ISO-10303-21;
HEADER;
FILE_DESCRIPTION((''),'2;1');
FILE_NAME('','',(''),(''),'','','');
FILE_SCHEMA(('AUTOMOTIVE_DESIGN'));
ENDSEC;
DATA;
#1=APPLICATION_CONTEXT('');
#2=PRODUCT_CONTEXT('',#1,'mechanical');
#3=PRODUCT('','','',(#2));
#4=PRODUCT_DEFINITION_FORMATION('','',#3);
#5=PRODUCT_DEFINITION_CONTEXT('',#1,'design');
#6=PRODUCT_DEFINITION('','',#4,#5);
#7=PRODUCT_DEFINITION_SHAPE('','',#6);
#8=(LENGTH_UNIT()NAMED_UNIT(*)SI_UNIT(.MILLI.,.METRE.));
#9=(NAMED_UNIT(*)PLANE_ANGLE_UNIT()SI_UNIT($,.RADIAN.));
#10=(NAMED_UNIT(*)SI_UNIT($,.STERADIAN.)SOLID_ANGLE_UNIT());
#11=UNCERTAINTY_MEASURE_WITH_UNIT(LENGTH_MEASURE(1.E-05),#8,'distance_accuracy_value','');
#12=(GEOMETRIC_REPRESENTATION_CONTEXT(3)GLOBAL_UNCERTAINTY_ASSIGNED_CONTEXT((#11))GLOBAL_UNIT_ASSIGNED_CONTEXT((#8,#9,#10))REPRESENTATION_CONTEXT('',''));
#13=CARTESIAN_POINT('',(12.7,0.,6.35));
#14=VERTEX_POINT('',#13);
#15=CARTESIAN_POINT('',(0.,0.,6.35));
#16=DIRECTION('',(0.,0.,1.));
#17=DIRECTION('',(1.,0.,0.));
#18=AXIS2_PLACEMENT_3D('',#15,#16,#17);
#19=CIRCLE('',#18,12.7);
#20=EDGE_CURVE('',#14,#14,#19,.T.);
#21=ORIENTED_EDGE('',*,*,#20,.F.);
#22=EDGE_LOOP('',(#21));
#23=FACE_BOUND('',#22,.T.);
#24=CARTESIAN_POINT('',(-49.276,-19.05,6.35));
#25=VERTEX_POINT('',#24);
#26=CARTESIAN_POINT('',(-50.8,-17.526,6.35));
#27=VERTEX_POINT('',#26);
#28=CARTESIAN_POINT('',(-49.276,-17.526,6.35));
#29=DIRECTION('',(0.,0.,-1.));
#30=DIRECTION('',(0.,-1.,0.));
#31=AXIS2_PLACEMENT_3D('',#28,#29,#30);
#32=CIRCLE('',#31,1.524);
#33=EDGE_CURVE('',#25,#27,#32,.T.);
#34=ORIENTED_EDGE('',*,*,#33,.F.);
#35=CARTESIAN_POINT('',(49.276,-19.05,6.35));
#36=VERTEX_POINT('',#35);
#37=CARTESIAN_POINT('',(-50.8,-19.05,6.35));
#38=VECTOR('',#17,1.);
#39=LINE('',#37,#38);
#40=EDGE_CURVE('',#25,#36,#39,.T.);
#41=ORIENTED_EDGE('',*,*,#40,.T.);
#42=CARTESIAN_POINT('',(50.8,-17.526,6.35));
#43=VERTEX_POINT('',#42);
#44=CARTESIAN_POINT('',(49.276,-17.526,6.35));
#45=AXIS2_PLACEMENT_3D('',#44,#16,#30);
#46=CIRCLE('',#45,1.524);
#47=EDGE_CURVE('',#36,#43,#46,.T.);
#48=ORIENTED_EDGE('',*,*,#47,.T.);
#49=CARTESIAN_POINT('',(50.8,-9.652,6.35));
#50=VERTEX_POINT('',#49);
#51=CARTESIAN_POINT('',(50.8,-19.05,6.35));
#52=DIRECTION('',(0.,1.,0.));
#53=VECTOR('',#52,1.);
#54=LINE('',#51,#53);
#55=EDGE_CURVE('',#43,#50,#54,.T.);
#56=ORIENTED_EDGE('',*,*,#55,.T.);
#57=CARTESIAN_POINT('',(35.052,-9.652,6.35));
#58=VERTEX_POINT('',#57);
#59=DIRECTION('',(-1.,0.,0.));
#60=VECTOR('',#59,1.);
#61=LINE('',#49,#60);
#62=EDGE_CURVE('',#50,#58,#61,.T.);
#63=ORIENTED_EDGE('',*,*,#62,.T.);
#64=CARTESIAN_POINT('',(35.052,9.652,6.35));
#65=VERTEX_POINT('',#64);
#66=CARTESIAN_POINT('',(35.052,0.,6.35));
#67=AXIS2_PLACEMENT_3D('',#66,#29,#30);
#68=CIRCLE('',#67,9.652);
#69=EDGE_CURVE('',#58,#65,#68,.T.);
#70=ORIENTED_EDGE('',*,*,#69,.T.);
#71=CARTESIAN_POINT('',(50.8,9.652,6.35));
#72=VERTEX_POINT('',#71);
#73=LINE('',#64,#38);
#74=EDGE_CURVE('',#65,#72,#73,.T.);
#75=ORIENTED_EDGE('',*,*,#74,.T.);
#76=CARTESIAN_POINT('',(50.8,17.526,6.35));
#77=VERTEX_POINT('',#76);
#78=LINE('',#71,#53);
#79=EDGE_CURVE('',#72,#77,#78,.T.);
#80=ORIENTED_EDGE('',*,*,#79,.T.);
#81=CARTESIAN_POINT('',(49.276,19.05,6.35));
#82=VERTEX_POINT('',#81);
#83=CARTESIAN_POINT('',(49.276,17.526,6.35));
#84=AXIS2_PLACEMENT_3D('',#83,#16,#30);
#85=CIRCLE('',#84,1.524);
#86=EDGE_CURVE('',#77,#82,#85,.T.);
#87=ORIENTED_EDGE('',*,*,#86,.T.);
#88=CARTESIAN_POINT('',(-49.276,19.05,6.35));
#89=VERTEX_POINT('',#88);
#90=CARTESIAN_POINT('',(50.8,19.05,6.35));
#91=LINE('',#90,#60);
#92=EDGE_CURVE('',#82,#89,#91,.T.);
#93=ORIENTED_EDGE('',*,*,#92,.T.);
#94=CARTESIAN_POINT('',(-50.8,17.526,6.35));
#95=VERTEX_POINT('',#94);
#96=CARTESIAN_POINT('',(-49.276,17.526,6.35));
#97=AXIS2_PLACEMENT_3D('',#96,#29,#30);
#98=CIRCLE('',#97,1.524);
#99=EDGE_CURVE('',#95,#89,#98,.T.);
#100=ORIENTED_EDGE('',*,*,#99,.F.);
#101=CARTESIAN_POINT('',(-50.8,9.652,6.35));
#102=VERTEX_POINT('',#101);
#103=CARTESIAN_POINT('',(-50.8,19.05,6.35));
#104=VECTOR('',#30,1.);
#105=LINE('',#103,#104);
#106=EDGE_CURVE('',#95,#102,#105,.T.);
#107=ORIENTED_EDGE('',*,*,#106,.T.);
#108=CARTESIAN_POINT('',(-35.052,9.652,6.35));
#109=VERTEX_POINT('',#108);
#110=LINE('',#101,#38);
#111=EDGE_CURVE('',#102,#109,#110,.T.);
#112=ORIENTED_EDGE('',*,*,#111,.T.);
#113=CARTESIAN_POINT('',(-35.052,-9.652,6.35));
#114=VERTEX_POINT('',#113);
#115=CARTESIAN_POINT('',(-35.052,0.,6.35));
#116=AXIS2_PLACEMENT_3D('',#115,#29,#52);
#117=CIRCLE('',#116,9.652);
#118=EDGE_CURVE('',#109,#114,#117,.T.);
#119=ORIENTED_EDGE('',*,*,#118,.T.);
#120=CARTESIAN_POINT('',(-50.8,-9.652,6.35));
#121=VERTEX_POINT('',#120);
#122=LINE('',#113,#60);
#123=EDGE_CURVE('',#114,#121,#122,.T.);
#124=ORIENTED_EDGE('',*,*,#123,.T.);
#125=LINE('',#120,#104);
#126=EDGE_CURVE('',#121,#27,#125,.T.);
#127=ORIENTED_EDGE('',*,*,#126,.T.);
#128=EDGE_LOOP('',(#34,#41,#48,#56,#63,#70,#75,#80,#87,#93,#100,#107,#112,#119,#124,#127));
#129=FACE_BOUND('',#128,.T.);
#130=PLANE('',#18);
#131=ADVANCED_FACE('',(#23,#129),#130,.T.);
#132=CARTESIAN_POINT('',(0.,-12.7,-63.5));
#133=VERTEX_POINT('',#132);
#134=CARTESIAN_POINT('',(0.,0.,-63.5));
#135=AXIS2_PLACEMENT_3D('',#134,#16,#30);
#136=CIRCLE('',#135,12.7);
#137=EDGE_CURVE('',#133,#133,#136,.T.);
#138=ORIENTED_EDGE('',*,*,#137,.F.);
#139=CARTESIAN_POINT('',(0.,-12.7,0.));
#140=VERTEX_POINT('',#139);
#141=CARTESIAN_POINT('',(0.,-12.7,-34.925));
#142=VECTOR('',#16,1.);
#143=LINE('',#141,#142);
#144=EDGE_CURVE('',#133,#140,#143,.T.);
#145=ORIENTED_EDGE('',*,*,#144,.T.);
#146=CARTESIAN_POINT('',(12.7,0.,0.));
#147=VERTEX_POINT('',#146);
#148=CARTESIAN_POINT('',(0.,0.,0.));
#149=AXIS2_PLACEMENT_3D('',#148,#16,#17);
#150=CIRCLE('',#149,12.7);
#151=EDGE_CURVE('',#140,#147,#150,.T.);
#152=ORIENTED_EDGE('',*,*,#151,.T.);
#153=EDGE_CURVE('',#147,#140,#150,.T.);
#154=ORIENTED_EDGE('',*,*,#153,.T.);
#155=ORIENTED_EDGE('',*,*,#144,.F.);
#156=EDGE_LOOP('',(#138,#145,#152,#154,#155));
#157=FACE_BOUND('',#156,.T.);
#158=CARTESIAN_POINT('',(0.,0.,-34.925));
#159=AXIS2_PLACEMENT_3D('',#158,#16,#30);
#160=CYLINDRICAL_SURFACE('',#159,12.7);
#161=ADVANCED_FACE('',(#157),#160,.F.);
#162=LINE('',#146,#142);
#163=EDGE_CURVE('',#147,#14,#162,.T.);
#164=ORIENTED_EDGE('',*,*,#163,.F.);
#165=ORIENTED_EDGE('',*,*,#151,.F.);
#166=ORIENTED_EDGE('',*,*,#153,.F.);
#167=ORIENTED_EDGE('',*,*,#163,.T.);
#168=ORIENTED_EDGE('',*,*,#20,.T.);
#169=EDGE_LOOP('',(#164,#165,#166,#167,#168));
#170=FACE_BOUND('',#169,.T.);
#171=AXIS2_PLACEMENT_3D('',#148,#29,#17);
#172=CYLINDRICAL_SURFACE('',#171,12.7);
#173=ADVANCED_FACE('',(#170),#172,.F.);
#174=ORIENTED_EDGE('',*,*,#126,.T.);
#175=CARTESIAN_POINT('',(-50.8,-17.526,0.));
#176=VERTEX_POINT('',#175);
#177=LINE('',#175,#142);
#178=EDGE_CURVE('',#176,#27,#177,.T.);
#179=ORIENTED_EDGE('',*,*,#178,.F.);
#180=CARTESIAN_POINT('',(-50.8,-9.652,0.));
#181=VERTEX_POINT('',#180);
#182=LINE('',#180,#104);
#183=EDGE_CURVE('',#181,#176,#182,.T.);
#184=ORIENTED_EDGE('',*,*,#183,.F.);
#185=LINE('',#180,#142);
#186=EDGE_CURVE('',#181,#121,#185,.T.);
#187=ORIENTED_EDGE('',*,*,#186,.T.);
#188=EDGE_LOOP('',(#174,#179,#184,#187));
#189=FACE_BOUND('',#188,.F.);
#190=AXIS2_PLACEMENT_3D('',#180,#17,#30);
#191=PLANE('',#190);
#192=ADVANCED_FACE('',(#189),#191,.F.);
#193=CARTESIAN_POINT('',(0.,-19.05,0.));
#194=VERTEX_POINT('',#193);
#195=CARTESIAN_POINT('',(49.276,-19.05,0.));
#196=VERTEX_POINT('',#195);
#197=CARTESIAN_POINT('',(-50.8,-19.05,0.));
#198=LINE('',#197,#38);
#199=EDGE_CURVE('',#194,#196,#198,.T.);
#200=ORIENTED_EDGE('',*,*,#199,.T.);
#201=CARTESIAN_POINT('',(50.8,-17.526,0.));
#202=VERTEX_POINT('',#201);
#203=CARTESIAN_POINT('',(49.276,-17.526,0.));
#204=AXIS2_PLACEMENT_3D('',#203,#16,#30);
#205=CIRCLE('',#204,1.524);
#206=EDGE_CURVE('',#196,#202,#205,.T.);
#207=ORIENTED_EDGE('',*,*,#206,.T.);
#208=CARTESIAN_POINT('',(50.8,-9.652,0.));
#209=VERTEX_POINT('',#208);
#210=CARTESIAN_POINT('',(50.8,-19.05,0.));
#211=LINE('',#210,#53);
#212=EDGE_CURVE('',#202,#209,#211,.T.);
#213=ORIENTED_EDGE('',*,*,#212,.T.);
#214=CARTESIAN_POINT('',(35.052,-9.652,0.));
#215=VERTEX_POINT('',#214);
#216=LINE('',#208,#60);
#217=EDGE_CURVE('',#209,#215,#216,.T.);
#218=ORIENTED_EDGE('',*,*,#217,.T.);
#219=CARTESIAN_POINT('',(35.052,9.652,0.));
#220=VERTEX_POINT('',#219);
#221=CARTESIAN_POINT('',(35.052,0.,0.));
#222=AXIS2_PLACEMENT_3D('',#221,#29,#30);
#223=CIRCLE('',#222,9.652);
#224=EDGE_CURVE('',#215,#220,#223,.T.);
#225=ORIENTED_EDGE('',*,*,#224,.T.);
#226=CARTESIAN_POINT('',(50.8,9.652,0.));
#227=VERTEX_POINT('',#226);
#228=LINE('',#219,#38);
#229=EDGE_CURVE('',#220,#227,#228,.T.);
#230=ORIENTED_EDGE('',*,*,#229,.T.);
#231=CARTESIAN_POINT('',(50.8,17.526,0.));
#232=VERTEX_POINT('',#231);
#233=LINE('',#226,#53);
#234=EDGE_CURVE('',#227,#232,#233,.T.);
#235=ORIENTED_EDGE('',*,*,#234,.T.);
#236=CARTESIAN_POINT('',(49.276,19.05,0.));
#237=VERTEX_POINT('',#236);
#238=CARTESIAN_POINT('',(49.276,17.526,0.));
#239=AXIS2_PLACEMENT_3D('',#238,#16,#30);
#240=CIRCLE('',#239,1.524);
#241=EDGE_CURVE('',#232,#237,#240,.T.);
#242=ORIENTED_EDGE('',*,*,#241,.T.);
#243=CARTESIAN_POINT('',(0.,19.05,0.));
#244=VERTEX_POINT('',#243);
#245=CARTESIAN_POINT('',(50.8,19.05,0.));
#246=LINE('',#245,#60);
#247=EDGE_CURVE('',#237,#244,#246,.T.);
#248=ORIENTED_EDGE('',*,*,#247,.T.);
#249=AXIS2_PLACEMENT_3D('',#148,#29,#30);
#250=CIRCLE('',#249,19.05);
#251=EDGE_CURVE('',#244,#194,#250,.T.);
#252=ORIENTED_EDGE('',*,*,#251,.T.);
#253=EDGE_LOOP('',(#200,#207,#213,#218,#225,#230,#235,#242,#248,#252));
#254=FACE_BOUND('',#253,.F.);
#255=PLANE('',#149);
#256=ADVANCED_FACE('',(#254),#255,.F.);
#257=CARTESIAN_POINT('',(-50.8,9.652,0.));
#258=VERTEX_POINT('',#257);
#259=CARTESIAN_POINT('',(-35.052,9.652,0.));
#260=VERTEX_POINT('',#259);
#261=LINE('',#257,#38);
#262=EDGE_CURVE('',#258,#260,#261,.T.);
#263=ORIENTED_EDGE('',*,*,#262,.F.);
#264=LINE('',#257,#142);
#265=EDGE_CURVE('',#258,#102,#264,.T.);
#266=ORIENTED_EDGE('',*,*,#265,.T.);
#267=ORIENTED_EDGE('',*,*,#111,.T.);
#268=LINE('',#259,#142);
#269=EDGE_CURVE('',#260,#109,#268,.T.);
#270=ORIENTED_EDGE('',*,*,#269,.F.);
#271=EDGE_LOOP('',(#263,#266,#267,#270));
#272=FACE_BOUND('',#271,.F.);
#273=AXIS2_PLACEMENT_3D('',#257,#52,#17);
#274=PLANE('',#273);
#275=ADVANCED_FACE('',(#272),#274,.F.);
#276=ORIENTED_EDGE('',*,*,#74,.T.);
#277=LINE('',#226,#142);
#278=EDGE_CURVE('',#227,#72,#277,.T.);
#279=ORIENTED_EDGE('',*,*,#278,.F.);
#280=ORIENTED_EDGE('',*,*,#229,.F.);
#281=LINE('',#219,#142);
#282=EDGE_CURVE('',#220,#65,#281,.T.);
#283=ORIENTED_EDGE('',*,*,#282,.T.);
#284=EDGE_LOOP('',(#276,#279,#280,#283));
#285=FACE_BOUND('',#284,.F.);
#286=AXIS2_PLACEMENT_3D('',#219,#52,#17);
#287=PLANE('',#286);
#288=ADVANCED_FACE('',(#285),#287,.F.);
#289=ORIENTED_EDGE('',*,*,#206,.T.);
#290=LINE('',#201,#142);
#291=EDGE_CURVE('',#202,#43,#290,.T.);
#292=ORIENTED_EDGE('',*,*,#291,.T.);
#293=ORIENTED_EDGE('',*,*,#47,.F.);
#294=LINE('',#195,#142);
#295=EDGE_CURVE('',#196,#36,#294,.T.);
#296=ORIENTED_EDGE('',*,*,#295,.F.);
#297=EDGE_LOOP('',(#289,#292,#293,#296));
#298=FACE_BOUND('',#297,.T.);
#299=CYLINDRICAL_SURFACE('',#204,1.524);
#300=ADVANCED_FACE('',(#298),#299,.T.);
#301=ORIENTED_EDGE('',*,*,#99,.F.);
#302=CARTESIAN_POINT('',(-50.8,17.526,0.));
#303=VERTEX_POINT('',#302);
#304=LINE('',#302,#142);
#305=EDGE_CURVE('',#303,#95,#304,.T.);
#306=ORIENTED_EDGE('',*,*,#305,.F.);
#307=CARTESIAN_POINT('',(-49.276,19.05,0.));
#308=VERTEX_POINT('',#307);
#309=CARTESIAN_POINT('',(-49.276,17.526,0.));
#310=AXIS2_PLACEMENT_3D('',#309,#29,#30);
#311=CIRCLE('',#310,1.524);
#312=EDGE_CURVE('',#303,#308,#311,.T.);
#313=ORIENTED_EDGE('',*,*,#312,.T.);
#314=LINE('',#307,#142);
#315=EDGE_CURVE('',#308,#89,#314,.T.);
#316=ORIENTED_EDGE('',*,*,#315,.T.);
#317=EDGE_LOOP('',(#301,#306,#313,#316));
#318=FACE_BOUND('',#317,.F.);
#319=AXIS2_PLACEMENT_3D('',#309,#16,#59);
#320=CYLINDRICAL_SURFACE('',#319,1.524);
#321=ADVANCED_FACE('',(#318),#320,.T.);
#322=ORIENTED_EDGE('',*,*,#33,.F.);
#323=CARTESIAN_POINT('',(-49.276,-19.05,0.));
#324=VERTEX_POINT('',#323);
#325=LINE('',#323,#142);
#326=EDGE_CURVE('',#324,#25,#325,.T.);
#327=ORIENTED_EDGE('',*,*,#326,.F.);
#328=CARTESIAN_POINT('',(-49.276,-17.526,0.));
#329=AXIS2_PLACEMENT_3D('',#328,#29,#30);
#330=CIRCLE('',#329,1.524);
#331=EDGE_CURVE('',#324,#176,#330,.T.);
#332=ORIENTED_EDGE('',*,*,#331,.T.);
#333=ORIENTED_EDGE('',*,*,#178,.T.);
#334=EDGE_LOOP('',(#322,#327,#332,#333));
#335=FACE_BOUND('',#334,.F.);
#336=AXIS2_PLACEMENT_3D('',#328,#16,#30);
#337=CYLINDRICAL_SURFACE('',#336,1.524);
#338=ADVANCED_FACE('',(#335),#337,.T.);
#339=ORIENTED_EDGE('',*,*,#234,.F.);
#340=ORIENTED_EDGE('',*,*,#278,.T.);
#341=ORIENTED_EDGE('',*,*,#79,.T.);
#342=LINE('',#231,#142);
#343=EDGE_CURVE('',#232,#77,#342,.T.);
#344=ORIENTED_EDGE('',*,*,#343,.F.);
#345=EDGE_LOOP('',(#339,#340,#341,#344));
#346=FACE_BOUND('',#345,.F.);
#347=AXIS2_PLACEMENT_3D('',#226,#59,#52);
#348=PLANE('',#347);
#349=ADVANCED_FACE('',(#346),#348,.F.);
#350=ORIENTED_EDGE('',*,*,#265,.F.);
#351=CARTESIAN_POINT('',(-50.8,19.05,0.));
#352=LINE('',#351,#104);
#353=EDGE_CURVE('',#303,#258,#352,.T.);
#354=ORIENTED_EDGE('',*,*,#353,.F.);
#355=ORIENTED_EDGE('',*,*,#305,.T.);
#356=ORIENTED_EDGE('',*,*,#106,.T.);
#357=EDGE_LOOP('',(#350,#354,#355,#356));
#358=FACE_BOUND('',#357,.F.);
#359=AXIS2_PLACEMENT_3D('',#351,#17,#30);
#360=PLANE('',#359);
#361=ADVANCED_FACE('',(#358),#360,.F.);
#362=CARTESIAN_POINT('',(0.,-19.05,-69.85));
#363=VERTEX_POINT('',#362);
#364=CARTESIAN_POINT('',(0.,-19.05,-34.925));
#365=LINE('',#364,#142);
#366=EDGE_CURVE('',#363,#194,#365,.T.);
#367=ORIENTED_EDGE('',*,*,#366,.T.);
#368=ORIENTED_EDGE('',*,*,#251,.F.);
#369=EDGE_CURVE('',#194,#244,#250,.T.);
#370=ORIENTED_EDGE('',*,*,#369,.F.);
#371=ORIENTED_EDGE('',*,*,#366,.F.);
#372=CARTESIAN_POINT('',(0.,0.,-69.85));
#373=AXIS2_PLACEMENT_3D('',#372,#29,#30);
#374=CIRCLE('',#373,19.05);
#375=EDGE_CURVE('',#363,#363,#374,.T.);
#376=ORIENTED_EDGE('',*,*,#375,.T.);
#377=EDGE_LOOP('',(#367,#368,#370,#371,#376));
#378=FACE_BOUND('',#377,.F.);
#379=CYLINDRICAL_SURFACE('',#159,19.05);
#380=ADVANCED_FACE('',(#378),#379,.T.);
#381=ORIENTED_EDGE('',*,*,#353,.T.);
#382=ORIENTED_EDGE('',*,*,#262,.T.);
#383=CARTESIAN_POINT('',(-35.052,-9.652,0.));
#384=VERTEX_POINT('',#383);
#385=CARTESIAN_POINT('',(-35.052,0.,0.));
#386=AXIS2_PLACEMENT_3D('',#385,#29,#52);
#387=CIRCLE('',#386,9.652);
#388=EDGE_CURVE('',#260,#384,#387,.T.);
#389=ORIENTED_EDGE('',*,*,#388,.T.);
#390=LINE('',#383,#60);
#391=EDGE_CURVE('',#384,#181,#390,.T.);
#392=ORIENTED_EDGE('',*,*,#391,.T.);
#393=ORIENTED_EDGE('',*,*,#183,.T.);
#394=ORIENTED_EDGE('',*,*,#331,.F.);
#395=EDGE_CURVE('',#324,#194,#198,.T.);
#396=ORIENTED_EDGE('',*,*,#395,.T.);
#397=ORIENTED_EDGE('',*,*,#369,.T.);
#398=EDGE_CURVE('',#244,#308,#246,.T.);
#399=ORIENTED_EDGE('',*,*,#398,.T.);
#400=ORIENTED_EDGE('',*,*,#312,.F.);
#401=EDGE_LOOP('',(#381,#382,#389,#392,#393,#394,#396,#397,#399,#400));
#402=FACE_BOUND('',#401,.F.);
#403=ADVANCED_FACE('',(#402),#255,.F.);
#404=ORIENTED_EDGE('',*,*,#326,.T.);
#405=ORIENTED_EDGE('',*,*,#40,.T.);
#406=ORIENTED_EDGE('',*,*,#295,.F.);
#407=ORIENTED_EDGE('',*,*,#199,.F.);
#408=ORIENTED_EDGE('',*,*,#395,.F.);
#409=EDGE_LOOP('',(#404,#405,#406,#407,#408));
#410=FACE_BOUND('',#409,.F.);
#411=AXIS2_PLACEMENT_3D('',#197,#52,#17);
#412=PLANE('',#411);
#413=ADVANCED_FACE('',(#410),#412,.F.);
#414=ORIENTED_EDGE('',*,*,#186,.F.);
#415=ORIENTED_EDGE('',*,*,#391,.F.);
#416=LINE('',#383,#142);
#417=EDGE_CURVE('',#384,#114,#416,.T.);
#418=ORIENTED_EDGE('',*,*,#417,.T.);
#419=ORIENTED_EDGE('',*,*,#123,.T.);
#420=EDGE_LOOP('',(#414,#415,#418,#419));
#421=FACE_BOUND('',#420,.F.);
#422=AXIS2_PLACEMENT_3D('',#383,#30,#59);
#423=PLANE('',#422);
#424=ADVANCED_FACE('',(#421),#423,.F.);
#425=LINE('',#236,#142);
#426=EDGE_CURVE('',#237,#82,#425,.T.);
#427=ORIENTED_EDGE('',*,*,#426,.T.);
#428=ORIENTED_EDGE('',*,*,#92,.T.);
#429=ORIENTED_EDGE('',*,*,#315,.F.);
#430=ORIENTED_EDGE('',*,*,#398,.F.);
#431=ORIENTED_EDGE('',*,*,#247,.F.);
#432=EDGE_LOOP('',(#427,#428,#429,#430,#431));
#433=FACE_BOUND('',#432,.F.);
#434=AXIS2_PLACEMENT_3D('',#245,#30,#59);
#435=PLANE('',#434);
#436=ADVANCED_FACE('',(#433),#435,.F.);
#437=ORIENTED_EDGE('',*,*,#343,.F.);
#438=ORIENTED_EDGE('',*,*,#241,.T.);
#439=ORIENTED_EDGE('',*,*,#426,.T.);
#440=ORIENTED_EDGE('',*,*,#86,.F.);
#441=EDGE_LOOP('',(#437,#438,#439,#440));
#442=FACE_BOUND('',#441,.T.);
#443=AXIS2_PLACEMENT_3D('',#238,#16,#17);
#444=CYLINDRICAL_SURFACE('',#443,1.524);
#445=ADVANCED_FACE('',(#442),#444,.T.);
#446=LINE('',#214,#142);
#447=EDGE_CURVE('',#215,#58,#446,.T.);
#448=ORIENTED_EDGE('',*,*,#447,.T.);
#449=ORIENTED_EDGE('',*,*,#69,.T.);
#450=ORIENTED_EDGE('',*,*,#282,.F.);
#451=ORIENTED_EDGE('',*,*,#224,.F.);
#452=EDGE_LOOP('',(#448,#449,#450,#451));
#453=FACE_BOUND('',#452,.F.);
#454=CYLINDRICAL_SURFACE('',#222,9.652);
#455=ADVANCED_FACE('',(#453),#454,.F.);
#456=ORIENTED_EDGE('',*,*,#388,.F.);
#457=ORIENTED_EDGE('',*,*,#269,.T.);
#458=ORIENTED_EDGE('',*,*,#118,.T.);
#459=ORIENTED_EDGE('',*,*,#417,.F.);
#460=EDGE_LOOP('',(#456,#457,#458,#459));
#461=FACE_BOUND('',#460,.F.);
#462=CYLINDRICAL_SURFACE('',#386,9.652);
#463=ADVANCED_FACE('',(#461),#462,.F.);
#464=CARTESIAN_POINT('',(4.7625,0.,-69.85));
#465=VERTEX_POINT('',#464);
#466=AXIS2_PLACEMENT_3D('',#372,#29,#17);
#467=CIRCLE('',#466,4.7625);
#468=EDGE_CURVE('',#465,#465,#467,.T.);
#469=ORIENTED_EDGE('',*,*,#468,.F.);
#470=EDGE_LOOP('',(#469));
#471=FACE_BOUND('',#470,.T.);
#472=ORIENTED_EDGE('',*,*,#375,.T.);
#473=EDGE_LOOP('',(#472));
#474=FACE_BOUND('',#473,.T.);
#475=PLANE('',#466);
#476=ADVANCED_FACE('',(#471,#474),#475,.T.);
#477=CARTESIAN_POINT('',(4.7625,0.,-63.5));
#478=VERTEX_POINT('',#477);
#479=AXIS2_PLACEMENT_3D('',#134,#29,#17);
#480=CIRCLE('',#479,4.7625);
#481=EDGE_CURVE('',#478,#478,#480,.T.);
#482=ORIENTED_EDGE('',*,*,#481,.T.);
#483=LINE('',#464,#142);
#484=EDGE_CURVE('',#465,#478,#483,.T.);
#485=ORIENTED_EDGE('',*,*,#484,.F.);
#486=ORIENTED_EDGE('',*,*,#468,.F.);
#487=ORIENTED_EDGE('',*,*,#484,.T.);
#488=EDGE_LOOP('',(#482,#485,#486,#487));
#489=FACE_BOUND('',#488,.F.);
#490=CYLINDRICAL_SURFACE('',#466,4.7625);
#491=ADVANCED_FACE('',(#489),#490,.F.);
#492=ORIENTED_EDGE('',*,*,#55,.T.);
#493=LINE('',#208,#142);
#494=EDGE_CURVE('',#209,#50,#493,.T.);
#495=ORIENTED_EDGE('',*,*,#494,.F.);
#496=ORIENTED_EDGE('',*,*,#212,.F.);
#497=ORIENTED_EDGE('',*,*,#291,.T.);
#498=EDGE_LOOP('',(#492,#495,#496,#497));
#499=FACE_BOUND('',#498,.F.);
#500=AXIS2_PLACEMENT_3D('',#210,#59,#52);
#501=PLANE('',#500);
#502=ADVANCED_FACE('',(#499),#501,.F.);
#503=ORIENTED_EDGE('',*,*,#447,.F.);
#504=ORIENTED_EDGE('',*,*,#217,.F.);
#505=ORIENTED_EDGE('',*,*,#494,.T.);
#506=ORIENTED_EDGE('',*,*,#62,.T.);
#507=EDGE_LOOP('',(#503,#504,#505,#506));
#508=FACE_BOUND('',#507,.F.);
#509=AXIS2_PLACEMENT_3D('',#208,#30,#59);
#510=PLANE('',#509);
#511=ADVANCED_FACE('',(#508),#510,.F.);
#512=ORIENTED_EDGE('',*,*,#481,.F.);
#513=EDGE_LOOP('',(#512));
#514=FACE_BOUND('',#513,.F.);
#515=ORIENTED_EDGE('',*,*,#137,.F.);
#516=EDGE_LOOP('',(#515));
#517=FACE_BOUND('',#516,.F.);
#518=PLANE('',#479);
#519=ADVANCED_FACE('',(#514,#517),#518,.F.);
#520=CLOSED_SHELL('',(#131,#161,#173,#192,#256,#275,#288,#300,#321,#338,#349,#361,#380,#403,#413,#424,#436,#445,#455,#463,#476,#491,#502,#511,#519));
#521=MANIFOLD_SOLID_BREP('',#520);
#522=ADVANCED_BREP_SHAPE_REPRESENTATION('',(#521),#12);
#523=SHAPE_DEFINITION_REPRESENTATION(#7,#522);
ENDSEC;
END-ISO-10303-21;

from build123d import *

# Parameters (mm, degrees)
F0_R     = 12.7
F1_DEPTH = 6.35
F2_R     = 1.524
F3_W     = 6.35
F3_H     = 69.85
F5_R     = 12.7
F5_R_2   = 4.7625
F6_DEPTH = 6.35


with BuildPart() as f1:
    # F0 (on Top) → F1 (new body)
    with BuildSketch(Plane.XY):
        with BuildLine():
            Line((-50.8, -19.05), (50.8, -19.05))
            Line((50.8, -19.05), (50.8, -9.652))
            Line((50.8, -9.652), (35.052, -9.652))
            ThreePointArc((35.052, -9.652), (25.4, 0), (35.052, 9.652))
            Line((35.052, 9.652), (50.8, 9.652))
            Line((50.8, 9.652), (50.8, 19.05))
            Line((50.8, 19.05), (-50.8, 19.05))
            Line((-50.8, 19.05), (-50.8, 9.652))
            Line((-50.8, 9.652), (-35.052, 9.652))
            ThreePointArc((-35.052, 9.652), (-25.4, 0), (-35.052, -9.652))
            Line((-35.052, -9.652), (-50.8, -9.652))
            Line((-50.8, -9.652), (-50.8, -19.05))
        make_face()
        Circle(F0_R, mode=Mode.SUBTRACT)
    extrude(amount=F1_DEPTH)

    # F2
    f2_edges = [f1.edges().sort_by_distance(p)[0] for p in [
        (-50.8, 19.05, 3.175),
        (50.8, 19.05, 3.175),
        (50.8, -19.05, 3.175),
        (-50.8, -19.05, 3.175),
    ]]
    fillet(f2_edges, radius=F2_R)

    # F3 (on Right) → F4 (revolve)
    with BuildSketch(Plane.YZ):
        with Locations((-15.875, -34.925)):
            Rectangle(F3_W, F3_H)
    revolve(axis=Axis((0, 0, -16.966719), (0, 0, -1)))

    # F5 (on face) → F6 (join)
    with BuildSketch(Plane(origin=(0, 0, -69.85), x_dir=(1, 0, 0), z_dir=(0, 0, -1))):
        Circle(F5_R)
        Circle(F5_R_2, mode=Mode.SUBTRACT)
    extrude(amount=-F6_DEPTH)


solid = f1.part
